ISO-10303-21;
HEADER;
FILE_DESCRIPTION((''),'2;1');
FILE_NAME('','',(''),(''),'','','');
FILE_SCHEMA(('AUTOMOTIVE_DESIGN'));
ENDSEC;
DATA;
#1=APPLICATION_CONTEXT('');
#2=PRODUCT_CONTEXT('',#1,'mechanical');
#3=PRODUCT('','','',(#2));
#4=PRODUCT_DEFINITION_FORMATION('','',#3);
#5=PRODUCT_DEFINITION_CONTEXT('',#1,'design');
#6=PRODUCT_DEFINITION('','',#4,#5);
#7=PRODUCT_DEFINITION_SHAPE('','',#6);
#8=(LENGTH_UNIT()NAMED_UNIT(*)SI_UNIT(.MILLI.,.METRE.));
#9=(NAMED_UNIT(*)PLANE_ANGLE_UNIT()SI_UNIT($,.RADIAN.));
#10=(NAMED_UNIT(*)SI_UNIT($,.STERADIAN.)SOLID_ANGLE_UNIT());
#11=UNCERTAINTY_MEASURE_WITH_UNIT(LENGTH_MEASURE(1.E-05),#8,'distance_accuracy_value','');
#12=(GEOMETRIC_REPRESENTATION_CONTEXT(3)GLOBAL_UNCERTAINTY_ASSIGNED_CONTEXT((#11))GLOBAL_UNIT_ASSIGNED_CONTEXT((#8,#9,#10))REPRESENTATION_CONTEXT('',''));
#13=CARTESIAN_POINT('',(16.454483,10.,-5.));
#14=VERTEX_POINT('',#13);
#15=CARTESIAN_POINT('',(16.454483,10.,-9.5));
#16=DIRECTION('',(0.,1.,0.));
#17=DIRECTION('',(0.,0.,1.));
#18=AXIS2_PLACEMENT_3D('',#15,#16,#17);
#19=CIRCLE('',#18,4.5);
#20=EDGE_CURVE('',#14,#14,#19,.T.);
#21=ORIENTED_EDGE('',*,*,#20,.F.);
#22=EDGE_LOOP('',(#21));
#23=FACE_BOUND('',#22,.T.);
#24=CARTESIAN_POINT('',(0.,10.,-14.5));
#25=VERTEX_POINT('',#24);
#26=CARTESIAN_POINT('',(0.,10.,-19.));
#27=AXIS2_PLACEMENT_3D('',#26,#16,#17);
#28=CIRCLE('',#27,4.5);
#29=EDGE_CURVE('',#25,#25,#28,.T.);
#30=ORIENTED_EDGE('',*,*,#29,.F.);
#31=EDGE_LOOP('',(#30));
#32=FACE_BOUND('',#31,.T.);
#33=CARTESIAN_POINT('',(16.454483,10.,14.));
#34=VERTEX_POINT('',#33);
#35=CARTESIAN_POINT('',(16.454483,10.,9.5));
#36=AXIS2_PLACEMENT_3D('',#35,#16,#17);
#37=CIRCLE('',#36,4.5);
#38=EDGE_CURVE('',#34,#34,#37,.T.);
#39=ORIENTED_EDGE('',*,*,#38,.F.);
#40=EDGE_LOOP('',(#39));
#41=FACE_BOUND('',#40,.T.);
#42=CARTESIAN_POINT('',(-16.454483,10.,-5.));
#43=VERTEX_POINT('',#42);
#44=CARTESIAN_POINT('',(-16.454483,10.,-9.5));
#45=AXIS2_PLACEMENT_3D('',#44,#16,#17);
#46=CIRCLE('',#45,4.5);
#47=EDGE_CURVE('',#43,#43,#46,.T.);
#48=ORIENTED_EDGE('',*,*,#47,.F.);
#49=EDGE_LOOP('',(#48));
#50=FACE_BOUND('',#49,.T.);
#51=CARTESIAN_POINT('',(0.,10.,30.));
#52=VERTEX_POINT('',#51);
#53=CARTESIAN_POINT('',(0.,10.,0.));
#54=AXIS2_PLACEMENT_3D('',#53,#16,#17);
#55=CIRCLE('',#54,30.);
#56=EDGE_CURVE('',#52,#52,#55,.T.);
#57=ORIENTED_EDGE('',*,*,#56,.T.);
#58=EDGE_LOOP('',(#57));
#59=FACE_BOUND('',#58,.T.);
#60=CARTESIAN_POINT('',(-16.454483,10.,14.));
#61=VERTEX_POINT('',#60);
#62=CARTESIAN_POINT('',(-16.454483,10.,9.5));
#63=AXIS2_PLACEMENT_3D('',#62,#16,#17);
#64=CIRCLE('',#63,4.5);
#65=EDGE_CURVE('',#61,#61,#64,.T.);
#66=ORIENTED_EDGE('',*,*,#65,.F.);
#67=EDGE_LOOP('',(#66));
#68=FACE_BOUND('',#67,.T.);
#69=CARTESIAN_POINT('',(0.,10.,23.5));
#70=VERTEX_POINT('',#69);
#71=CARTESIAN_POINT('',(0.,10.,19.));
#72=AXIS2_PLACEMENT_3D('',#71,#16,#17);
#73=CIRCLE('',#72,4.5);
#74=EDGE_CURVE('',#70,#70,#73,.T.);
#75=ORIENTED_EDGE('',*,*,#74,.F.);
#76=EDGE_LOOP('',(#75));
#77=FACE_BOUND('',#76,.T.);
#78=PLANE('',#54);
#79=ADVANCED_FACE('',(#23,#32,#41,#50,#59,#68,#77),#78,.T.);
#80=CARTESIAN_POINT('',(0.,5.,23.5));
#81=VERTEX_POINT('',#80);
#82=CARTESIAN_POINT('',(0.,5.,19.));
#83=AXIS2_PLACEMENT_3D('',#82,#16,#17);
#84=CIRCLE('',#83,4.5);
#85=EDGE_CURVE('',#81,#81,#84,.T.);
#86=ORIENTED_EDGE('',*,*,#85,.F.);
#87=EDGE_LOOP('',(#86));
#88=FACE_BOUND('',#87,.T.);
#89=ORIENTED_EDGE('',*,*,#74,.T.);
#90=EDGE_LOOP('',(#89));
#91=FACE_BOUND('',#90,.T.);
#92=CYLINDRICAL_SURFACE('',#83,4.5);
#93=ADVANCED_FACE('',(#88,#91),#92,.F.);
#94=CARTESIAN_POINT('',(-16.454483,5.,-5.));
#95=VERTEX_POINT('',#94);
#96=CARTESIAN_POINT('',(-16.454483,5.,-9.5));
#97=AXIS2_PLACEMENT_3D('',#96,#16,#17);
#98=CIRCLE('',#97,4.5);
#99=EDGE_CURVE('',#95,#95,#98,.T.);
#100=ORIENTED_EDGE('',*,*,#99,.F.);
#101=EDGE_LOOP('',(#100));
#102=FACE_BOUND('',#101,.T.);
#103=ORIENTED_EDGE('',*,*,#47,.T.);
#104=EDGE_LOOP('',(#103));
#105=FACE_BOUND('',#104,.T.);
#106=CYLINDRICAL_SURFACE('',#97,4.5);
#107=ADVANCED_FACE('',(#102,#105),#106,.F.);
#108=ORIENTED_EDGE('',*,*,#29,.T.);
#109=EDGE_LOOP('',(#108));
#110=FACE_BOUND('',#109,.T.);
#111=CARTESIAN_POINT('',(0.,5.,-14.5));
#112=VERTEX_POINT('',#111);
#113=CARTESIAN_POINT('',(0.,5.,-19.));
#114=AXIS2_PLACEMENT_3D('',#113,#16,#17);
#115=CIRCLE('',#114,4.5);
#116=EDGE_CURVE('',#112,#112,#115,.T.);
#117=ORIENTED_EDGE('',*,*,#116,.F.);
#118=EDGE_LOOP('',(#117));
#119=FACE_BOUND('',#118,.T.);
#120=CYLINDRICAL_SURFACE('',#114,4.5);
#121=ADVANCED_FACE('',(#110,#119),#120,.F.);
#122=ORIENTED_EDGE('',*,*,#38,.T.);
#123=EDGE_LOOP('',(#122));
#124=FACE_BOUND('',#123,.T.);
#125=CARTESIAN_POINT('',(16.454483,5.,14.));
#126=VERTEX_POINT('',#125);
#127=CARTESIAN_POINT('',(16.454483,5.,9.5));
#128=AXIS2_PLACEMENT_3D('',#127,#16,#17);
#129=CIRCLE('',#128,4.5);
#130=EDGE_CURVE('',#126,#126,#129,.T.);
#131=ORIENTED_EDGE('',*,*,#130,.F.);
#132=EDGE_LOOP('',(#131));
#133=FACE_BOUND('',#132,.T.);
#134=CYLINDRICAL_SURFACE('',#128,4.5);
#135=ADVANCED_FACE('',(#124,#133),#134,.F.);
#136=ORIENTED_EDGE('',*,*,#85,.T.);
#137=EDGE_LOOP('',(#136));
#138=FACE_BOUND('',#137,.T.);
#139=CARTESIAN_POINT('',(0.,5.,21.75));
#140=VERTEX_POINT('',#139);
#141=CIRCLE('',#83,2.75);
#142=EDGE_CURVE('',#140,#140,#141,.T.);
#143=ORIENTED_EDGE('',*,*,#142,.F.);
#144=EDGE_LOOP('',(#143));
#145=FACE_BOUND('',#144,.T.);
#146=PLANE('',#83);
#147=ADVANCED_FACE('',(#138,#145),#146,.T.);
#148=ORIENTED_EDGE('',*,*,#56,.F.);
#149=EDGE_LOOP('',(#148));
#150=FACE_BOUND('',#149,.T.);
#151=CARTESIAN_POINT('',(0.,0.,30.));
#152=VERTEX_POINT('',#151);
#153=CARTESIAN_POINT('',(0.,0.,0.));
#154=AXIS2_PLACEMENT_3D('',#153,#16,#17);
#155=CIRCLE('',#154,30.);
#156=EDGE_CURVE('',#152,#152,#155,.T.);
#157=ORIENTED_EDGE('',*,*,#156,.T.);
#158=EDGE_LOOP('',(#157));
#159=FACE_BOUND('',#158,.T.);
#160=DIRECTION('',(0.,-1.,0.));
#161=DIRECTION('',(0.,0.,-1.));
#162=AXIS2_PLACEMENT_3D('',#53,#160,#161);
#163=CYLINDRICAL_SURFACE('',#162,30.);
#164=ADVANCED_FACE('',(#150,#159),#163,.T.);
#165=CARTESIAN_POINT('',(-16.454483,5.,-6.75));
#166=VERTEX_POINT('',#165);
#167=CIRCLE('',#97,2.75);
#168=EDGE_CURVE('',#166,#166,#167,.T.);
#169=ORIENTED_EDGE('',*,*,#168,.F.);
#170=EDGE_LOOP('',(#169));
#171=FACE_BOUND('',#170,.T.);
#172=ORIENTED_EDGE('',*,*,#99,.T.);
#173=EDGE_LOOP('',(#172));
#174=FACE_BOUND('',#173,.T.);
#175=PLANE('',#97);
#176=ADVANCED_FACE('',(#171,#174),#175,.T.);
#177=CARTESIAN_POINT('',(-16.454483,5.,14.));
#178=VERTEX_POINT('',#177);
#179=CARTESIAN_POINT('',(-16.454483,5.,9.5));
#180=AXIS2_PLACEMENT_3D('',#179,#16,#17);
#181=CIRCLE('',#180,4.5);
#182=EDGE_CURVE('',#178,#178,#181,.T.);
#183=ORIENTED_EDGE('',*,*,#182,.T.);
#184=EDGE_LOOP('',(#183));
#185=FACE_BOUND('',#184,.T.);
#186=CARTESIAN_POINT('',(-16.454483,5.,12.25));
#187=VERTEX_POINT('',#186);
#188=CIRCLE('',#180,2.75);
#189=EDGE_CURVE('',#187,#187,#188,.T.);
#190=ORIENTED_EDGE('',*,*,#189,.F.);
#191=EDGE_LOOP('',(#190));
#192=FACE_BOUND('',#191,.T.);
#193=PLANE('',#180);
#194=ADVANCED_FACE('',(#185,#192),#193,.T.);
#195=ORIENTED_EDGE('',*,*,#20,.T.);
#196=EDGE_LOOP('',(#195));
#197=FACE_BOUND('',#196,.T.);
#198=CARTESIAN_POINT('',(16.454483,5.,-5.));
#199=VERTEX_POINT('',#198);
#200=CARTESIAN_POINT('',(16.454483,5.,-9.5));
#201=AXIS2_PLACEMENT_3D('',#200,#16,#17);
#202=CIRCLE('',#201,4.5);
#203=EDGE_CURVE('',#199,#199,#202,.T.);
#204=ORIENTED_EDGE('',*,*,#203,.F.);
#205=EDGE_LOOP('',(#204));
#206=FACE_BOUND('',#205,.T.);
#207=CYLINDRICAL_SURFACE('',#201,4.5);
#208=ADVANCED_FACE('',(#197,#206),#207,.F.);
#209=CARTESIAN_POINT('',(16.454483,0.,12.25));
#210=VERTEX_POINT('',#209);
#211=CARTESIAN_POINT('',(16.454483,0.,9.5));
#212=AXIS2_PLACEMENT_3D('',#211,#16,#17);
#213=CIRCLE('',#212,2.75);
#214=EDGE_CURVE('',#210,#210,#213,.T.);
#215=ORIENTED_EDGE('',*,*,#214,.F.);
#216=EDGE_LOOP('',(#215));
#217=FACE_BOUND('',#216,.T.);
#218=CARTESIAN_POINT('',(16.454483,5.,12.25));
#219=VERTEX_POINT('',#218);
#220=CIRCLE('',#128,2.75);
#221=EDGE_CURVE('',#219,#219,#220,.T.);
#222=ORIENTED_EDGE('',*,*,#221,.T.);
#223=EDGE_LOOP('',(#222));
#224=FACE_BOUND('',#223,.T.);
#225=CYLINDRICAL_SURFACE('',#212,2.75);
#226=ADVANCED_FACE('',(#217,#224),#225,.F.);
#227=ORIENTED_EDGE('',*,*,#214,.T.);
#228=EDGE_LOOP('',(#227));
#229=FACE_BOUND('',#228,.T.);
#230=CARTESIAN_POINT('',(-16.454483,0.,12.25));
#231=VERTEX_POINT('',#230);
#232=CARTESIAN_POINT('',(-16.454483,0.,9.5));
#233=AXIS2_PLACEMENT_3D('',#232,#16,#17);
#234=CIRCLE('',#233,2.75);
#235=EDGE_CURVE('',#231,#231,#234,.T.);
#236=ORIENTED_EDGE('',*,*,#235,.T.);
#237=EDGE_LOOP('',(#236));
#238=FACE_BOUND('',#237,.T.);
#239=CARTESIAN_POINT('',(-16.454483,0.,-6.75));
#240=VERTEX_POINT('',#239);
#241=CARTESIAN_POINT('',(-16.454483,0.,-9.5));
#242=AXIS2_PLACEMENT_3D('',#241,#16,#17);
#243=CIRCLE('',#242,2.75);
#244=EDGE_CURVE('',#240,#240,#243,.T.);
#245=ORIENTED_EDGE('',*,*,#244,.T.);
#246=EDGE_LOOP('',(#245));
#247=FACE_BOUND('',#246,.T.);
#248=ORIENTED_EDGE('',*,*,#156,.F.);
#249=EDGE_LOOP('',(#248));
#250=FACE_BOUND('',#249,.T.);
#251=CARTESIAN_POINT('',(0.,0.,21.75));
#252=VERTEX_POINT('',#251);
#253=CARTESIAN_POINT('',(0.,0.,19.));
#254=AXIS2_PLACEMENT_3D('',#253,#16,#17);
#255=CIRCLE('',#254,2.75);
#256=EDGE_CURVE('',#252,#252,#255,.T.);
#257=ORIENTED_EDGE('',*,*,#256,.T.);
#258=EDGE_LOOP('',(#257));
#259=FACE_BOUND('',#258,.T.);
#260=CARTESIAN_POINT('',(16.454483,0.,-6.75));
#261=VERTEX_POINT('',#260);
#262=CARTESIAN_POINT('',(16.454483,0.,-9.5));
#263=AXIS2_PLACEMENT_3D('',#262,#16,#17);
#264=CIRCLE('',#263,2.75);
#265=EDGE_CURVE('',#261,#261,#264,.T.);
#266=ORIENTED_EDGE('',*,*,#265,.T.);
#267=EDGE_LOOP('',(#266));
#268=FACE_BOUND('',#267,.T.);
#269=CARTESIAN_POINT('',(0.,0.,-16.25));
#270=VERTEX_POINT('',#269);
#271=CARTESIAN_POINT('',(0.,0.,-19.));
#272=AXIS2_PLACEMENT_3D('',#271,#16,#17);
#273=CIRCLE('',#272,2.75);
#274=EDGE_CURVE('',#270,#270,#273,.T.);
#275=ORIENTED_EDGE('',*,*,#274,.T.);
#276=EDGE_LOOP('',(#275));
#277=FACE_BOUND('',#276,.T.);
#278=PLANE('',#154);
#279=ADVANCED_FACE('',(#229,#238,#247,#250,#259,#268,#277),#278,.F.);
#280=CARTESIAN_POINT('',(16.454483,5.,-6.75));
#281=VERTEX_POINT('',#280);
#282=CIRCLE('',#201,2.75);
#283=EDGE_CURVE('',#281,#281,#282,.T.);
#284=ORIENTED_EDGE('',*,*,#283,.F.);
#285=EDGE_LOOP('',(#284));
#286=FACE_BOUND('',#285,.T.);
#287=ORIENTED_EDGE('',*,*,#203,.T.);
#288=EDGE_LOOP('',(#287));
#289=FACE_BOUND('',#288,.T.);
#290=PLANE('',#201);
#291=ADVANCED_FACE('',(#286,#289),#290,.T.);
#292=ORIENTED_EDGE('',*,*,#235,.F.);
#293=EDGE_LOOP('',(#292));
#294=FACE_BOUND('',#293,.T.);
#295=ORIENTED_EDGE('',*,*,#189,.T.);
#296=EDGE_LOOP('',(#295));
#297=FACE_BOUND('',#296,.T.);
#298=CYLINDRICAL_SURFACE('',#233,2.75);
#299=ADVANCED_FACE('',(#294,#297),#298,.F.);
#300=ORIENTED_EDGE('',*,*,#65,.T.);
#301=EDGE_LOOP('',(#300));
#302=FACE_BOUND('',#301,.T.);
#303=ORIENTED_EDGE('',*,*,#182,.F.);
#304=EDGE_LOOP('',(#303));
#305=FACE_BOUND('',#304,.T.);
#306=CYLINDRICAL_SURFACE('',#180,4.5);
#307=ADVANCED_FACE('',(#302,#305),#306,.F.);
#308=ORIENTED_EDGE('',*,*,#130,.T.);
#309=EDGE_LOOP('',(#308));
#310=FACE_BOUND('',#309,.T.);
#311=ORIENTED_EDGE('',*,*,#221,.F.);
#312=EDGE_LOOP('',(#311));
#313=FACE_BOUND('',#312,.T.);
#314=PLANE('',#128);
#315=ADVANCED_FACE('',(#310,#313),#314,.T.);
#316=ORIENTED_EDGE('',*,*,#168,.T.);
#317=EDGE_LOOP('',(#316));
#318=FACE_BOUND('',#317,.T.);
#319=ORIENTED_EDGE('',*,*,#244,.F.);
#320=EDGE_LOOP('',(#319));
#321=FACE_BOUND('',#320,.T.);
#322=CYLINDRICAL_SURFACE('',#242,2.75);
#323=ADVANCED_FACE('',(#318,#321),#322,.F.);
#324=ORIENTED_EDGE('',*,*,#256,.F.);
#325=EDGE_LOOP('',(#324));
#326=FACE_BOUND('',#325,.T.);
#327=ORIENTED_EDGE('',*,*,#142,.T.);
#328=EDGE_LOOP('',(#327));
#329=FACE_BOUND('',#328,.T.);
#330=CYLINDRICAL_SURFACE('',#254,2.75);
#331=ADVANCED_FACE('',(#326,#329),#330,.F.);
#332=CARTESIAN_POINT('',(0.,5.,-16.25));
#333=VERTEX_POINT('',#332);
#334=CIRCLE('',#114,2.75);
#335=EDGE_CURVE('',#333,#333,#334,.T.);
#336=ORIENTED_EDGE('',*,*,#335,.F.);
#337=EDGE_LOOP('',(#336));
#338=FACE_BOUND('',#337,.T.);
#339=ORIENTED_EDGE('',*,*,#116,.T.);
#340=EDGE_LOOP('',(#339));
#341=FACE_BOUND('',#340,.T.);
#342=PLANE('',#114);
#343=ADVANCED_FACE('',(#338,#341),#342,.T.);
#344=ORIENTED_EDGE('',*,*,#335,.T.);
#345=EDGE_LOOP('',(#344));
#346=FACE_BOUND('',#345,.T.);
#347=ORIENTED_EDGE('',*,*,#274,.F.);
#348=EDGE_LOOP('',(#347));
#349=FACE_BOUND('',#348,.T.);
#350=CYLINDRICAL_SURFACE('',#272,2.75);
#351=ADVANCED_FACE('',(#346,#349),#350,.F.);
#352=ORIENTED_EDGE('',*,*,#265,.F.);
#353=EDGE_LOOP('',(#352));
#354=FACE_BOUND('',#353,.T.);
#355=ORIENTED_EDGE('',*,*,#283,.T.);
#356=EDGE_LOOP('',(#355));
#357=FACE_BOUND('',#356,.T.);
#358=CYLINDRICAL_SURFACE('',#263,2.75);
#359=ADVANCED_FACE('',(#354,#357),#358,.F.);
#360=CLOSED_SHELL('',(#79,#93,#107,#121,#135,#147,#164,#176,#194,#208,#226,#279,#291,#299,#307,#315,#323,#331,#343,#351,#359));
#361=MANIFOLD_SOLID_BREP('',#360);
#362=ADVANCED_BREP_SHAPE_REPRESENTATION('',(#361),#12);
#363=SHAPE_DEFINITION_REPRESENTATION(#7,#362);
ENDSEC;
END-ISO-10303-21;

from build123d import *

# Parameters (mm, degrees)
SKETCH1_R           = 30
BOSS_EXTRUDE1_DEPTH = 10
SKETCH2_R           = 4.5
CUT_EXTRUDE1_DEPTH  = 5
SKETCH3_R           = 2.75
CUT_EXTRUDE2_DEPTH  = 43.720018727


with BuildPart() as part:
    # Sketch1 → Boss-Extrude1 (new body)
    with BuildSketch(Plane(origin=(0, 0, 0), x_dir=(1, 0, 0), z_dir=(0, 1, 0))):
        with Locations(Location((0, 0, 0), (0, 0, 270))):
            Circle(SKETCH1_R)
    extrude(amount=BOSS_EXTRUDE1_DEPTH)

    # Sketch2 → Cut-Extrude1 (cut)
    with BuildSketch(Plane(origin=(0, 10, 0), x_dir=(1, 0, 0), z_dir=(0, 1, 0))):
        with Locations(Location((0, 19, 0), (0, 0, 270))):
            Circle(SKETCH2_R)
        with Locations(Location((16.454482672, 9.5, 0), (0, 0, 270))):
            Circle(SKETCH2_R)
        with Locations(Location((16.454482672, -9.5, 0), (0, 0, 270))):
            Circle(SKETCH2_R)
        with Locations(Location((0, -19, 0), (0, 0, 270))):
            Circle(SKETCH2_R)
        with Locations(Location((-16.454482672, -9.5, 0), (0, 0, 270))):
            Circle(SKETCH2_R)
        with Locations(Location((-16.454482672, 9.5, 0), (0, 0, 270))):
            Circle(SKETCH2_R)
    extrude(amount=-CUT_EXTRUDE1_DEPTH, mode=Mode.SUBTRACT)

    # Sketch3 → Cut-Extrude2 (cut, through all)
    with BuildSketch(Plane(origin=(0, 5, 0), x_dir=(1, 0, 0), z_dir=(0, 1, 0))):
        with Locations(Location((0, 19, 0), (0, 0, 270))):
            Circle(SKETCH3_R)
        with Locations(Location((16.454482672, 9.5, 0), (0, 0, 270))):
            Circle(SKETCH3_R)
        with Locations(Location((16.454482672, -9.5, 0), (0, 0, 270))):
            Circle(SKETCH3_R)
        with Locations(Location((0, -19, 0), (0, 0, 270))):
            Circle(SKETCH3_R)
        with Locations(Location((-16.454482672, -9.5, 0), (0, 0, 270))):
            Circle(SKETCH3_R)
        with Locations(Location((-16.454482672, 9.5, 0), (0, 0, 270))):
            Circle(SKETCH3_R)
    extrude(amount=-CUT_EXTRUDE2_DEPTH, mode=Mode.SUBTRACT)


solid = part.part
